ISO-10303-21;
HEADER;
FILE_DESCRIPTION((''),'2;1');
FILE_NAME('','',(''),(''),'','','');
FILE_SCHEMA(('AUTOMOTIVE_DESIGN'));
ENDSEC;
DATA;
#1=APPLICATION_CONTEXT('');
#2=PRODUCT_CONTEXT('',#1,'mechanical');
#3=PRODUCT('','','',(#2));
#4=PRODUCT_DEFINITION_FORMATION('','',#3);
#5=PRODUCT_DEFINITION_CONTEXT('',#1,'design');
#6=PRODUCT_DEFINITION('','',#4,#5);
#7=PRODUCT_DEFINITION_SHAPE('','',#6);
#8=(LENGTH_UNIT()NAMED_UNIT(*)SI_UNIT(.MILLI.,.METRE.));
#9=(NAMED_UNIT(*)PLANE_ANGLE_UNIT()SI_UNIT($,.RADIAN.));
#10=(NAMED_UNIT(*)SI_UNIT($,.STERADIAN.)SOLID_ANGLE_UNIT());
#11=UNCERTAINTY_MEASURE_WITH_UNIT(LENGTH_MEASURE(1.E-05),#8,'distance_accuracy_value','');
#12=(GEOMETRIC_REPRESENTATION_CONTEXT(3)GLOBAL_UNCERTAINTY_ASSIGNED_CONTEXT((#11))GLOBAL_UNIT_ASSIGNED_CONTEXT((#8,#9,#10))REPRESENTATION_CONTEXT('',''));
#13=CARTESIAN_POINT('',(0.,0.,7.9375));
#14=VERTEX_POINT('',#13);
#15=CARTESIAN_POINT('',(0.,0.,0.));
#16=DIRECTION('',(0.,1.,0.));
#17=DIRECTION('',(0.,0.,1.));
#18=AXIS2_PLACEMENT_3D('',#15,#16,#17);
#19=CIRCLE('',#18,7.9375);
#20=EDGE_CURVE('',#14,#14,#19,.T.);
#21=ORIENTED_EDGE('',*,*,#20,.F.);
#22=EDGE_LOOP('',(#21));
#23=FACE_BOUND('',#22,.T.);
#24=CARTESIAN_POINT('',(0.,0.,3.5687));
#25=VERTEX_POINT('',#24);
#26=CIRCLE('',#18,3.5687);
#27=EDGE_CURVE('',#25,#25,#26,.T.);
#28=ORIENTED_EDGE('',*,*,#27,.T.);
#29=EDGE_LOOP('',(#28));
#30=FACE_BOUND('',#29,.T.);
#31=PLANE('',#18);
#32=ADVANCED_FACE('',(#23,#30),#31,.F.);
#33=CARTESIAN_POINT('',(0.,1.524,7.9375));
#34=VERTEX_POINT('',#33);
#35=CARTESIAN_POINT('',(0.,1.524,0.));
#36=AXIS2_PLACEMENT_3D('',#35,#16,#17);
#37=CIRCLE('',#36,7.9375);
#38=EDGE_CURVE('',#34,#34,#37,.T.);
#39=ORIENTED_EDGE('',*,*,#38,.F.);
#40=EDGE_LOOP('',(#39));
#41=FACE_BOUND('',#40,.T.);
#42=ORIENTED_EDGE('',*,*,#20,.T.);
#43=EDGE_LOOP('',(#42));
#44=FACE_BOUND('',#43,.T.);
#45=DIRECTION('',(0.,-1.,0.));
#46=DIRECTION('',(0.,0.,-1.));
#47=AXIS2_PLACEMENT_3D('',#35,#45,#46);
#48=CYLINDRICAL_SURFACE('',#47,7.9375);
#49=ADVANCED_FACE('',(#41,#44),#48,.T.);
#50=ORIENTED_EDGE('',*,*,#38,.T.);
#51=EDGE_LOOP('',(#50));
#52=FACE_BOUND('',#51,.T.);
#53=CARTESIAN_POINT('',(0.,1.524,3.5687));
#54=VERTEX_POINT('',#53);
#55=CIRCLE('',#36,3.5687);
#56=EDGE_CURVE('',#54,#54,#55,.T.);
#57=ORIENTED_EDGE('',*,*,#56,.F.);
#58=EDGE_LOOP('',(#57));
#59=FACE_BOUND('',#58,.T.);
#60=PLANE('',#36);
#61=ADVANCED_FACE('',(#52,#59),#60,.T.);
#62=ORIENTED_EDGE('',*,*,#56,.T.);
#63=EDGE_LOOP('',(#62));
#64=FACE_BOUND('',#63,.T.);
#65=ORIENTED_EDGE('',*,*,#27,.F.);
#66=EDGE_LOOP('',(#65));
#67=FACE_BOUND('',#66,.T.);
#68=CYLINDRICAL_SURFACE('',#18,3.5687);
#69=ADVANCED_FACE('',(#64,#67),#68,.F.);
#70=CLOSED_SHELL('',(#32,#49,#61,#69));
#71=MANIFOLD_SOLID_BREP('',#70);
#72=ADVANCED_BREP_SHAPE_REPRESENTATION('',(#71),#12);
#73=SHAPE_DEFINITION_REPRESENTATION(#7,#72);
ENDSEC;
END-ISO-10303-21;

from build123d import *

# Parameters (mm, degrees)
SKETCH1_R           = 7.9375
BOSS_EXTRUDE1_DEPTH = 1.524
SKETCH5_R           = 3.5687
CUT_EXTRUDE1_DEPTH  = 2.524


with BuildPart() as part:
    # Sketch1 → Boss-Extrude1 (new body)
    with BuildSketch(Plane(origin=(0, 0, 0), x_dir=(1, 0, 0), z_dir=(0, 1, 0))):
        Circle(SKETCH1_R)
    extrude(amount=BOSS_EXTRUDE1_DEPTH)

    # Sketch5 → Cut-Extrude1 (cut, through all)
    with BuildSketch(Plane(origin=(0, 1.524, 0), x_dir=(-1, 0, 0), z_dir=(0, 1, 0))):
        Circle(SKETCH5_R)
    extrude(amount=-CUT_EXTRUDE1_DEPTH, mode=Mode.SUBTRACT)


solid = part.part
